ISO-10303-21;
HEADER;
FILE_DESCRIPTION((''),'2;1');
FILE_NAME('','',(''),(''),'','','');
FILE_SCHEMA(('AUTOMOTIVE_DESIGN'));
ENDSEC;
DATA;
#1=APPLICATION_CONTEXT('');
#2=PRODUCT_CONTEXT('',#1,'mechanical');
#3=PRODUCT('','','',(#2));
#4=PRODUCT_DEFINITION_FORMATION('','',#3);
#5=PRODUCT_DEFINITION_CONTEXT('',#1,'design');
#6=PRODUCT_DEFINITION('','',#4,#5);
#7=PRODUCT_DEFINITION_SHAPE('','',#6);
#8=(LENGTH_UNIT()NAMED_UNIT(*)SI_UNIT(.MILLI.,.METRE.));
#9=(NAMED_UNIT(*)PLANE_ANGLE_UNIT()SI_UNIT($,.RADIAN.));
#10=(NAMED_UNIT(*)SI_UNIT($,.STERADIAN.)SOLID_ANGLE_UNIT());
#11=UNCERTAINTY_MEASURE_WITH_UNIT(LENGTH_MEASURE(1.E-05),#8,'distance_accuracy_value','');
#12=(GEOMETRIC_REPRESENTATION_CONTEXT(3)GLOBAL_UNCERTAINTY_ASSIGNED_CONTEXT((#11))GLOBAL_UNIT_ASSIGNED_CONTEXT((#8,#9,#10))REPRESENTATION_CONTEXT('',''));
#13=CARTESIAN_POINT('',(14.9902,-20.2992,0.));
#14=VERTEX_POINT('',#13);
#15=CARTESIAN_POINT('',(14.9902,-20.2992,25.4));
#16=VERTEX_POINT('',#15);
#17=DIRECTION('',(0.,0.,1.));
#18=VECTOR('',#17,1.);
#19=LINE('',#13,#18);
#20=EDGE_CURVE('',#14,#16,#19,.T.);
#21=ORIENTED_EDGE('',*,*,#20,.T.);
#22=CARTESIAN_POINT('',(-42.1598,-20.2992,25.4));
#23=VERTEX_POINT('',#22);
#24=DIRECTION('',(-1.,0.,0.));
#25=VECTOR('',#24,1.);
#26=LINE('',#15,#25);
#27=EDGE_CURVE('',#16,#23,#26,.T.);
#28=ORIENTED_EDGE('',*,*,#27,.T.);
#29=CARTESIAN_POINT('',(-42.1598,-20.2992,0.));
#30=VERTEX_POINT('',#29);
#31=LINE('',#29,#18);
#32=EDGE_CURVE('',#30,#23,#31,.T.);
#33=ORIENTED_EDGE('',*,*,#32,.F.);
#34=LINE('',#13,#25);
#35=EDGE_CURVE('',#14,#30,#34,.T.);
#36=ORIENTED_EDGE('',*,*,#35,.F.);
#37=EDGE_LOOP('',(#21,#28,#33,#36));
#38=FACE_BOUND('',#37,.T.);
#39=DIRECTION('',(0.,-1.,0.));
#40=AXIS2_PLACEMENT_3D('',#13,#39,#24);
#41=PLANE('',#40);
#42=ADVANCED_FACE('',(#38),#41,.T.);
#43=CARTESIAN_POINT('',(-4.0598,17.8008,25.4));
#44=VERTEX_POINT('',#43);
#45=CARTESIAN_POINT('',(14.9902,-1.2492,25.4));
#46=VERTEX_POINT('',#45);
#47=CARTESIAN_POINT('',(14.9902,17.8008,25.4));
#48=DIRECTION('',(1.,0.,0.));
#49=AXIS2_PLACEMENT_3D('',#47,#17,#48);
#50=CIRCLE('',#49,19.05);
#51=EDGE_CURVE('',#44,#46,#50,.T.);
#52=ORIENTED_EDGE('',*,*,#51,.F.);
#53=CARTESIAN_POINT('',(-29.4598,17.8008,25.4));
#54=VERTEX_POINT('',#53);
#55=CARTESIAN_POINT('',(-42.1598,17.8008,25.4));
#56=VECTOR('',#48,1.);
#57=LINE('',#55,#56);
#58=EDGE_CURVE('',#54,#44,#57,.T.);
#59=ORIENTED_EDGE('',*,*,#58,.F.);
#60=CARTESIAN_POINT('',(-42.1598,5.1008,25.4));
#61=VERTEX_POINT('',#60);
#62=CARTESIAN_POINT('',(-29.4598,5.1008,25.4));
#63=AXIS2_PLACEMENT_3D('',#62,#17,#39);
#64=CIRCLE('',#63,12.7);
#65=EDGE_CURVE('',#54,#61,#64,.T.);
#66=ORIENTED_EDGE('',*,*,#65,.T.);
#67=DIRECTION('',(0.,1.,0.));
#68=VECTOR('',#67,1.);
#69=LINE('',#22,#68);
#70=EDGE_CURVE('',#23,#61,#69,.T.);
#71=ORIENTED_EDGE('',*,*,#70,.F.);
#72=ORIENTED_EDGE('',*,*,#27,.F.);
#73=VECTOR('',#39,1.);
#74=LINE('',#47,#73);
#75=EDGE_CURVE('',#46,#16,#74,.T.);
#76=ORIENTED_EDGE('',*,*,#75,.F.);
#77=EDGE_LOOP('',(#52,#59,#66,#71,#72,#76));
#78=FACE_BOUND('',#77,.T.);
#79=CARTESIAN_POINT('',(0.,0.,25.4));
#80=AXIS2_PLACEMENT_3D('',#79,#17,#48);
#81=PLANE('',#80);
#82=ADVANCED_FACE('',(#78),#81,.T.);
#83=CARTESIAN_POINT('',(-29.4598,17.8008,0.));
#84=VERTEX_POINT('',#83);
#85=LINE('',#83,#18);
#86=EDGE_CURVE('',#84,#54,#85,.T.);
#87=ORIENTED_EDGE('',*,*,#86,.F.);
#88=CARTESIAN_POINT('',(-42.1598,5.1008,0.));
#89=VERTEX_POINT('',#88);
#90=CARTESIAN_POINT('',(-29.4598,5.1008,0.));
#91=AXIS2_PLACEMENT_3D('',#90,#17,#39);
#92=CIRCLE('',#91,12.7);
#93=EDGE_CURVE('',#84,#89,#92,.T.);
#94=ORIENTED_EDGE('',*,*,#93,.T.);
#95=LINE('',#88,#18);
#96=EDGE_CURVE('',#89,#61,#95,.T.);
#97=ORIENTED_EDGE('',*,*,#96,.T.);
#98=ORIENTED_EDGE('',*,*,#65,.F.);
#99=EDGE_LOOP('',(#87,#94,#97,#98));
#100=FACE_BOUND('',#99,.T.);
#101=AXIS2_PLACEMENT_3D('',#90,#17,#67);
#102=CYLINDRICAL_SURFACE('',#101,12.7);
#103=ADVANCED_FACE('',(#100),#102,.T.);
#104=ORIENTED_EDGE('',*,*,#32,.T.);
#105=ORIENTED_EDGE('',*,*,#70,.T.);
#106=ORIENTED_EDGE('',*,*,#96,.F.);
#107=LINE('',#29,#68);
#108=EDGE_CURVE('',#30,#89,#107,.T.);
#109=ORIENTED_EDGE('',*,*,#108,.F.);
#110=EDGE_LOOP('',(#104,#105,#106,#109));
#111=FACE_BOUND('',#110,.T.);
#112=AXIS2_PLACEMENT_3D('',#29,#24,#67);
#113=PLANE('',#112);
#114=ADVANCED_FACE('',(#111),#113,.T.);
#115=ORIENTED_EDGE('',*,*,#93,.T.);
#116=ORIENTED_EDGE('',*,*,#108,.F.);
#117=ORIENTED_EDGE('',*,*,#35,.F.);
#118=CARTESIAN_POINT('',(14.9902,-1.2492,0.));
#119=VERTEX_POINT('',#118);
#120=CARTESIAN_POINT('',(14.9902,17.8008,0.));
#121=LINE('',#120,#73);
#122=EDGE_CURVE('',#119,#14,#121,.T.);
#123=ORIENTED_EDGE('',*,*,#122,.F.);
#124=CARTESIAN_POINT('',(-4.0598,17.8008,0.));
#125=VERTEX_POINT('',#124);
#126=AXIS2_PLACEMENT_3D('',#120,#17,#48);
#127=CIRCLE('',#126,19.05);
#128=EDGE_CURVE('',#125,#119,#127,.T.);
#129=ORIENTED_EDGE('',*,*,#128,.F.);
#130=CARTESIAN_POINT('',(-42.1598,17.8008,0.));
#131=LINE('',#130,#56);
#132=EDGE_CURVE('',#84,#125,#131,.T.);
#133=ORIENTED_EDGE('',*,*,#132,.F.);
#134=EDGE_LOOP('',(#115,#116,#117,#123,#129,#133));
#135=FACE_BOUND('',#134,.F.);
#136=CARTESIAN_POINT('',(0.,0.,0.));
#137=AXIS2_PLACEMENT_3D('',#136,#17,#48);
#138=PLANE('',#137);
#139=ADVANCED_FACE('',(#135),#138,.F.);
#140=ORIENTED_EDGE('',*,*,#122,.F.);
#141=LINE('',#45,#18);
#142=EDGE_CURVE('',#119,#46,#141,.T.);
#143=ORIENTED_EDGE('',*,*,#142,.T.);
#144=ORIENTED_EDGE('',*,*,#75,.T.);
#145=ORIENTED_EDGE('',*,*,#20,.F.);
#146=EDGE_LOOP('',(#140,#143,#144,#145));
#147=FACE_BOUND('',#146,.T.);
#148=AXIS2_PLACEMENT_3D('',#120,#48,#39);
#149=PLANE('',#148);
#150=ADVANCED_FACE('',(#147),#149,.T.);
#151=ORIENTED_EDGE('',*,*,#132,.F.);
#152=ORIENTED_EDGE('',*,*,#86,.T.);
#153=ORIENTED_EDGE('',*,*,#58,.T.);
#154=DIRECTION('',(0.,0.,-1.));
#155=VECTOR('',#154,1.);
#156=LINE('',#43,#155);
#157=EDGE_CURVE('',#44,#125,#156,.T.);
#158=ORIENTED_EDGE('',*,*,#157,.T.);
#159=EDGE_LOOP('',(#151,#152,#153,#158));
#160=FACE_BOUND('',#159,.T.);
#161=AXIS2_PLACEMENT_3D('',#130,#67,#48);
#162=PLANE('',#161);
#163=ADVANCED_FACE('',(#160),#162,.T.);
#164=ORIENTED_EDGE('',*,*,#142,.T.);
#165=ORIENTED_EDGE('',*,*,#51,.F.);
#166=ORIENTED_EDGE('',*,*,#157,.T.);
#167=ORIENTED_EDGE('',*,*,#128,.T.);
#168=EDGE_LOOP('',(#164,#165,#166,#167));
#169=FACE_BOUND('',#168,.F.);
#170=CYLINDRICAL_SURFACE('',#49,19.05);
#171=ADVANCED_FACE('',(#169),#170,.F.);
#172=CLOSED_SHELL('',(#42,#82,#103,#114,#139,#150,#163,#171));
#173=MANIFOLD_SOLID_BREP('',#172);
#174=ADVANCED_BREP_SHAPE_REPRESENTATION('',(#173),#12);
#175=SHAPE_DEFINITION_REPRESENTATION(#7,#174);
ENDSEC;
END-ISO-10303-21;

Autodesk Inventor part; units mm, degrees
ref_plane "YZ Plane" through (0, 0, 0) normal (1, 0, 0) x (0, 1, 0)
ref_plane "XZ Plane" through (0, 0, 0) normal (0, 1, 0) x (-1, 0, 0)
ref_plane "XY Plane" through (0, 0, 0) normal (0, 0, 1) x (1, 0, 0)
sketch "Sketch1" plane through (0, 0, 0) normal (0, 0, 1) x (1, 0, 0)
  line L0 (-42.1598, 17.8008) -> (14.9902, 17.8008)
  line L1 (14.9902, 17.8008) -> (14.9902, -20.2992)
  line L2 (14.9902, -20.2992) -> (-42.1598, -20.2992)
  line L3 (-42.1598, -20.2992) -> (-42.1598, 17.8008)
  point P0 (0, 0)
  dimension "d0" = 57.15
  dimension "d1" = 38.1
extrude "Extrusion1" add sketch "Sketch1" along normal blind 25.4
fillet "Fillet1" radius 12.7 1 edges at (-42.1598, 17.8008, 12.7)
sketch "Sketch2" plane through (0, 0, 25.4) normal (0, 0, 1) x (1, 0, 0)
  line L0 (-29.4598, 17.8008) -> (14.9902, 17.8008) projected
  circle A0 centre (14.9902, 17.8008) radius 19.05
  point P0 (0, 0)
  dimension "d5" = 38.1
extrude "Extrusion2" cut sketch "Sketch2" against normal blind 25.4
properties part number "Figure 7_28_9"
